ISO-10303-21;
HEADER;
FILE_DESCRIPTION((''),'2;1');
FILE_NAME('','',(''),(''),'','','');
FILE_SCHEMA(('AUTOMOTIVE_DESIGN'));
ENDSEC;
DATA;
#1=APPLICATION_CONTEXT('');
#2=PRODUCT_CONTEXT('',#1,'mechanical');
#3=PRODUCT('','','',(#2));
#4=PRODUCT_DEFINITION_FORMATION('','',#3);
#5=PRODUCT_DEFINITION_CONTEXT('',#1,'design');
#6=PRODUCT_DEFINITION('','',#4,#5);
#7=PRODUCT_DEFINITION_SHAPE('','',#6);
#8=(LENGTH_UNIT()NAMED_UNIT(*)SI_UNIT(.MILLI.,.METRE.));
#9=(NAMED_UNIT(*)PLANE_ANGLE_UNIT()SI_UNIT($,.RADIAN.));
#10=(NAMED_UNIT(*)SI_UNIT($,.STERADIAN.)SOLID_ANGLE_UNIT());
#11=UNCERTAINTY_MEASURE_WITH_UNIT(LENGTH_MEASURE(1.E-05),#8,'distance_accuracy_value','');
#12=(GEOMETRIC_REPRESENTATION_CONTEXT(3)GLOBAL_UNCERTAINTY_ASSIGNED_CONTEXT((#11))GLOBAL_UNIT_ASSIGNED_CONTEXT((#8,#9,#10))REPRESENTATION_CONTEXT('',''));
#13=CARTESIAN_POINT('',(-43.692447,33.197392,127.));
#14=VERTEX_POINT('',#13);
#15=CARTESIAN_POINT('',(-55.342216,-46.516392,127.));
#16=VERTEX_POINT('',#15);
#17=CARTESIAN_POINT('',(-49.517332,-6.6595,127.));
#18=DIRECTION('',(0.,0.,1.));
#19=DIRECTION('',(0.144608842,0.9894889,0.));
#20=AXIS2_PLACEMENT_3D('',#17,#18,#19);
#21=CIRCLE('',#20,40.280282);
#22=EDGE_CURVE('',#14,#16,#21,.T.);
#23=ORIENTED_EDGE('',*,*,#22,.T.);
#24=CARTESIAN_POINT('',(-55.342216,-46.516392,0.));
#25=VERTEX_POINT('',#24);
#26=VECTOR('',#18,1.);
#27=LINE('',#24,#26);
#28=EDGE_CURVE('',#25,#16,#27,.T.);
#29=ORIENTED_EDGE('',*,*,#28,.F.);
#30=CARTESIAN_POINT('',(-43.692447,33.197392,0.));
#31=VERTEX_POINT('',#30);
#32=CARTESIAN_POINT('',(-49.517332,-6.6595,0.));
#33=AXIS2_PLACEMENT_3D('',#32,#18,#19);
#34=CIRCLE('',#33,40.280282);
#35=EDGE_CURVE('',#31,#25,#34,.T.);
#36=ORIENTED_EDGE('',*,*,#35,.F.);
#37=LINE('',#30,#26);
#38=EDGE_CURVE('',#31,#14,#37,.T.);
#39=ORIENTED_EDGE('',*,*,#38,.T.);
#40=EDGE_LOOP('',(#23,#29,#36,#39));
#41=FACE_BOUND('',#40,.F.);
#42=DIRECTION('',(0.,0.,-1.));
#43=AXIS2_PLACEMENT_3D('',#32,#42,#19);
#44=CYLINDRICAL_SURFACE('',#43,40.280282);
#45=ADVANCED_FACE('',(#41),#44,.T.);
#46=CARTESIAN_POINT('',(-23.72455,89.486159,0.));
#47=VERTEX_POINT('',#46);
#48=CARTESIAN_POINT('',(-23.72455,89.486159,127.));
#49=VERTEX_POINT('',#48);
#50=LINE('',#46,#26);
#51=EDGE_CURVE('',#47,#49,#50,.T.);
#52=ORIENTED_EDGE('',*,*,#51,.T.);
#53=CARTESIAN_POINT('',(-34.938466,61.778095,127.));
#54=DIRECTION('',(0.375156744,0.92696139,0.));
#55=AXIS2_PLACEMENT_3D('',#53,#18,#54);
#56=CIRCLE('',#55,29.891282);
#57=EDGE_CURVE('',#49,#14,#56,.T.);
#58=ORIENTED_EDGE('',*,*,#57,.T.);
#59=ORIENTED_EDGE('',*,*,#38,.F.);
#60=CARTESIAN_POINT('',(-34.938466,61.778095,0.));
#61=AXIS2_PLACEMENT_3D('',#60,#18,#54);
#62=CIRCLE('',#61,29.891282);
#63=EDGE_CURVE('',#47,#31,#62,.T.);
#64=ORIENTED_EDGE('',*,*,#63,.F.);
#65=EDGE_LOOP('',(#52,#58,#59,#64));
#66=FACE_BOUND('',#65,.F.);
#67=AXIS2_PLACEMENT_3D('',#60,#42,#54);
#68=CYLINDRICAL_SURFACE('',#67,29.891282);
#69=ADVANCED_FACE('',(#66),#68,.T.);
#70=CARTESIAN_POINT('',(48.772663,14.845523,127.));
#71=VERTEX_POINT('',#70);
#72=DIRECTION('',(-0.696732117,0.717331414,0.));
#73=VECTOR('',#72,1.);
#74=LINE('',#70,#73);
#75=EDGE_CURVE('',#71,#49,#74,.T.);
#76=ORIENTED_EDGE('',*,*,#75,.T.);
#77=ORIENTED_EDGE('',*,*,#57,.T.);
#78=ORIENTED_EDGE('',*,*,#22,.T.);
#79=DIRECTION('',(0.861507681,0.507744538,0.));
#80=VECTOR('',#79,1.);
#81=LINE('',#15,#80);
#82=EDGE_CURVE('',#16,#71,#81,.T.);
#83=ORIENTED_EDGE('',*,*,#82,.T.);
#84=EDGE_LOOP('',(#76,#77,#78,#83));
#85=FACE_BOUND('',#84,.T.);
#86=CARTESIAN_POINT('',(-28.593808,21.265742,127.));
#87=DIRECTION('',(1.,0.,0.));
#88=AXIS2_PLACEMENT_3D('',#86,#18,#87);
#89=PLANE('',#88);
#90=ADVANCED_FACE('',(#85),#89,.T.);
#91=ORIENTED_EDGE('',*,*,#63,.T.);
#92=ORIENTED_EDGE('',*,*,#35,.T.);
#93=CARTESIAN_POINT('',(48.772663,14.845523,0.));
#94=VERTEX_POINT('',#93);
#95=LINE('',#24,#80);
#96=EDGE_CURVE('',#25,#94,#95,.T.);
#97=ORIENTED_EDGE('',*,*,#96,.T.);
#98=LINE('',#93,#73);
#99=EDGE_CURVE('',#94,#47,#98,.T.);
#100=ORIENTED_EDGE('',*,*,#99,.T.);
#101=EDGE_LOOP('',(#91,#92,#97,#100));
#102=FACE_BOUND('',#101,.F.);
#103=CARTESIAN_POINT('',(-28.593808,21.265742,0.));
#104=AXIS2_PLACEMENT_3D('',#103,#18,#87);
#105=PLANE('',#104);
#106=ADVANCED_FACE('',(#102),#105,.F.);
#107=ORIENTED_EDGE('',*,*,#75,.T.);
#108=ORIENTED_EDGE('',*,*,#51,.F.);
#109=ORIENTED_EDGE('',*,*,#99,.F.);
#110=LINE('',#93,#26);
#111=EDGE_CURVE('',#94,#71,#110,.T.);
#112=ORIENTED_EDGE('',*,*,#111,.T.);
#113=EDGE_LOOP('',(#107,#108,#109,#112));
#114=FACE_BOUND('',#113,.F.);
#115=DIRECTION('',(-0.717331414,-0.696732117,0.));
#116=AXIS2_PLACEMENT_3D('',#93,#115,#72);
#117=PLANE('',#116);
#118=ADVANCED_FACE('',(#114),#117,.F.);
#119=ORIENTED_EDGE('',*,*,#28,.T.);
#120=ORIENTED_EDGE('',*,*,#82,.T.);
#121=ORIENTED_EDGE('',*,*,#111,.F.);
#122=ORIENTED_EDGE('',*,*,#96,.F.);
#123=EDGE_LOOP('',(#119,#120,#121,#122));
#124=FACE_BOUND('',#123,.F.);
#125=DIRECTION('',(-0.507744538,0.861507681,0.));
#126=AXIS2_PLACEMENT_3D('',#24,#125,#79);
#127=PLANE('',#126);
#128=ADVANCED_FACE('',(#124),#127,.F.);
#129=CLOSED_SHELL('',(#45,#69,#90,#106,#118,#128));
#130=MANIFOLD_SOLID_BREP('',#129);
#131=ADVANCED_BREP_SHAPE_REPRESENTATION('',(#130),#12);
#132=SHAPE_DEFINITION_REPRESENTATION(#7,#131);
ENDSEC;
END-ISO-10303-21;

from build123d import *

# Parameters (mm, degrees)
F1_DEPTH = 127


with BuildPart() as f1:
    # F0 (on Top) → F1 (new body)
    with BuildSketch(Plane.XY):
        with BuildLine():
            ThreePointArc((-23.72455, 89.486159), (-63.109713, 71.771572), (-43.692447, 33.197392))
            ThreePointArc((-43.692447, 33.197392), (-89.374224, -0.834616), (-55.342216, -46.516392))
            Line((-55.342216, -46.516392), (48.772663, 14.845523))
            Line((48.772663, 14.845523), (-23.72455, 89.486159))
        make_face()
    extrude(amount=F1_DEPTH)


solid = f1.part
